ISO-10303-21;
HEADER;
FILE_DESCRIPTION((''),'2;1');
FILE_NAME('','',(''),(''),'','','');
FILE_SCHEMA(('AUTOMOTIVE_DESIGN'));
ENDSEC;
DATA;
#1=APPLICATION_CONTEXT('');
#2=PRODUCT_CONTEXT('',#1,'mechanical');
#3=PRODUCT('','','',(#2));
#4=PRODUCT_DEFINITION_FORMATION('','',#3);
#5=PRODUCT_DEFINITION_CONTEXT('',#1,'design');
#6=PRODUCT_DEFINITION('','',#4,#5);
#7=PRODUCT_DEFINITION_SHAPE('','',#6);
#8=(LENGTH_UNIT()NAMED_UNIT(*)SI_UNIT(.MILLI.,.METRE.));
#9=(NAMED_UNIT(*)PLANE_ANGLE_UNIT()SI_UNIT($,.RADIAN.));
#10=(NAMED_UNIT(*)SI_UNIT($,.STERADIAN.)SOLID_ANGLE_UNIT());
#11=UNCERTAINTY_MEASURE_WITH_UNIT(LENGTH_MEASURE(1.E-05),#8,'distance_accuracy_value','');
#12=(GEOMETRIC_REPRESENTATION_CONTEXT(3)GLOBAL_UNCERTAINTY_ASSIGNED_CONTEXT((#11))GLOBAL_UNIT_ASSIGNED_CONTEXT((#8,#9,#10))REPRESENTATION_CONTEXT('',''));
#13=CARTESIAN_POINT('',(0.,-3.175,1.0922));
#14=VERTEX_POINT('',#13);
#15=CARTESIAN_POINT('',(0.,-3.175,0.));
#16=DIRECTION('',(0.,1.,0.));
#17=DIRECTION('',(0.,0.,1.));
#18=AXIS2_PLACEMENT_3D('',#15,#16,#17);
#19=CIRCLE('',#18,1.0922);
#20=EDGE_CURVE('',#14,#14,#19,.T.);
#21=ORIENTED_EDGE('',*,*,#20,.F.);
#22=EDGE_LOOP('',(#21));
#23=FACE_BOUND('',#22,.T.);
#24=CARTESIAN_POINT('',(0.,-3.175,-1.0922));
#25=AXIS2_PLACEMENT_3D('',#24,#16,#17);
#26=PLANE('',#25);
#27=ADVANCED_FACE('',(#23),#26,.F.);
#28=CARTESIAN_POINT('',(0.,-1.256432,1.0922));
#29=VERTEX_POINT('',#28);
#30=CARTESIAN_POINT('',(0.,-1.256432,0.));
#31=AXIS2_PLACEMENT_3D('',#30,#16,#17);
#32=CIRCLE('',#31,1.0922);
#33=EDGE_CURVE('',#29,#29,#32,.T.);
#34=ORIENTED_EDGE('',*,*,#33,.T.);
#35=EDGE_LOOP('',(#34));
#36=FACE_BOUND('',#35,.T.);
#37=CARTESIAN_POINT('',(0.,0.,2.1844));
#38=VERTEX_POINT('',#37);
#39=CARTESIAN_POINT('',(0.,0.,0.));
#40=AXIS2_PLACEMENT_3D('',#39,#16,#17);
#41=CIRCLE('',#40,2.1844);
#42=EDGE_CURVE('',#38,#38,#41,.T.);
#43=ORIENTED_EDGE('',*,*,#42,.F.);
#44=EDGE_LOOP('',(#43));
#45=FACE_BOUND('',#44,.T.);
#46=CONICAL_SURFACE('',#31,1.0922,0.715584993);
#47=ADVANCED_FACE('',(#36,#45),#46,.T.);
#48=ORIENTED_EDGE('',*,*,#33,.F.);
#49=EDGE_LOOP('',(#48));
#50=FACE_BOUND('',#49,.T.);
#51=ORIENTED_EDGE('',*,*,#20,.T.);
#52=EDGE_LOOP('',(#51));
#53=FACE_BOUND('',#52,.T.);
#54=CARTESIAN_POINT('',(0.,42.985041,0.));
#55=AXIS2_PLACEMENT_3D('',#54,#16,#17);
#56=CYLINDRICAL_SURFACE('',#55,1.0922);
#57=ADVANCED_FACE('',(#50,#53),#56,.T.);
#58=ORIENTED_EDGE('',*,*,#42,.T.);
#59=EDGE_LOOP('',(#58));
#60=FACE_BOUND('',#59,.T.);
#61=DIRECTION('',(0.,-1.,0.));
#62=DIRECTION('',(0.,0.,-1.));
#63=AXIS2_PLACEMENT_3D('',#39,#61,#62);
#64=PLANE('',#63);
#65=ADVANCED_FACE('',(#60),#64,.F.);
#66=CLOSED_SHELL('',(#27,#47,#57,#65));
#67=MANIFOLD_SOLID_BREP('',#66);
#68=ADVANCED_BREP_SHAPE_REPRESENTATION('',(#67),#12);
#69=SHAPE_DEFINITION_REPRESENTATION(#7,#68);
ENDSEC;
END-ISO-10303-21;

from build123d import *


with BuildPart() as part:
    # Sketch1 → Revolve1 (revolve)
    with BuildSketch(Plane(origin=(0, 0, 0), x_dir=(0, 0, -1), z_dir=(1, 0, 0)), mode=Mode.PRIVATE) as revolve1_sk:
        Polygon((0, 0), (2.1844, 0), (1.0922, -1.256432374), (1.0922, -3.175), (0, -3.175), align=None)
    revolve(revolve1_sk.sketch.rotate(Axis((0, 42.98504113, 0), (0, -1, 0)), 180), axis=Axis((0, 42.98504113, 0), (0, -1, 0)))  # turned: the seam where the file's is


solid = part.part
